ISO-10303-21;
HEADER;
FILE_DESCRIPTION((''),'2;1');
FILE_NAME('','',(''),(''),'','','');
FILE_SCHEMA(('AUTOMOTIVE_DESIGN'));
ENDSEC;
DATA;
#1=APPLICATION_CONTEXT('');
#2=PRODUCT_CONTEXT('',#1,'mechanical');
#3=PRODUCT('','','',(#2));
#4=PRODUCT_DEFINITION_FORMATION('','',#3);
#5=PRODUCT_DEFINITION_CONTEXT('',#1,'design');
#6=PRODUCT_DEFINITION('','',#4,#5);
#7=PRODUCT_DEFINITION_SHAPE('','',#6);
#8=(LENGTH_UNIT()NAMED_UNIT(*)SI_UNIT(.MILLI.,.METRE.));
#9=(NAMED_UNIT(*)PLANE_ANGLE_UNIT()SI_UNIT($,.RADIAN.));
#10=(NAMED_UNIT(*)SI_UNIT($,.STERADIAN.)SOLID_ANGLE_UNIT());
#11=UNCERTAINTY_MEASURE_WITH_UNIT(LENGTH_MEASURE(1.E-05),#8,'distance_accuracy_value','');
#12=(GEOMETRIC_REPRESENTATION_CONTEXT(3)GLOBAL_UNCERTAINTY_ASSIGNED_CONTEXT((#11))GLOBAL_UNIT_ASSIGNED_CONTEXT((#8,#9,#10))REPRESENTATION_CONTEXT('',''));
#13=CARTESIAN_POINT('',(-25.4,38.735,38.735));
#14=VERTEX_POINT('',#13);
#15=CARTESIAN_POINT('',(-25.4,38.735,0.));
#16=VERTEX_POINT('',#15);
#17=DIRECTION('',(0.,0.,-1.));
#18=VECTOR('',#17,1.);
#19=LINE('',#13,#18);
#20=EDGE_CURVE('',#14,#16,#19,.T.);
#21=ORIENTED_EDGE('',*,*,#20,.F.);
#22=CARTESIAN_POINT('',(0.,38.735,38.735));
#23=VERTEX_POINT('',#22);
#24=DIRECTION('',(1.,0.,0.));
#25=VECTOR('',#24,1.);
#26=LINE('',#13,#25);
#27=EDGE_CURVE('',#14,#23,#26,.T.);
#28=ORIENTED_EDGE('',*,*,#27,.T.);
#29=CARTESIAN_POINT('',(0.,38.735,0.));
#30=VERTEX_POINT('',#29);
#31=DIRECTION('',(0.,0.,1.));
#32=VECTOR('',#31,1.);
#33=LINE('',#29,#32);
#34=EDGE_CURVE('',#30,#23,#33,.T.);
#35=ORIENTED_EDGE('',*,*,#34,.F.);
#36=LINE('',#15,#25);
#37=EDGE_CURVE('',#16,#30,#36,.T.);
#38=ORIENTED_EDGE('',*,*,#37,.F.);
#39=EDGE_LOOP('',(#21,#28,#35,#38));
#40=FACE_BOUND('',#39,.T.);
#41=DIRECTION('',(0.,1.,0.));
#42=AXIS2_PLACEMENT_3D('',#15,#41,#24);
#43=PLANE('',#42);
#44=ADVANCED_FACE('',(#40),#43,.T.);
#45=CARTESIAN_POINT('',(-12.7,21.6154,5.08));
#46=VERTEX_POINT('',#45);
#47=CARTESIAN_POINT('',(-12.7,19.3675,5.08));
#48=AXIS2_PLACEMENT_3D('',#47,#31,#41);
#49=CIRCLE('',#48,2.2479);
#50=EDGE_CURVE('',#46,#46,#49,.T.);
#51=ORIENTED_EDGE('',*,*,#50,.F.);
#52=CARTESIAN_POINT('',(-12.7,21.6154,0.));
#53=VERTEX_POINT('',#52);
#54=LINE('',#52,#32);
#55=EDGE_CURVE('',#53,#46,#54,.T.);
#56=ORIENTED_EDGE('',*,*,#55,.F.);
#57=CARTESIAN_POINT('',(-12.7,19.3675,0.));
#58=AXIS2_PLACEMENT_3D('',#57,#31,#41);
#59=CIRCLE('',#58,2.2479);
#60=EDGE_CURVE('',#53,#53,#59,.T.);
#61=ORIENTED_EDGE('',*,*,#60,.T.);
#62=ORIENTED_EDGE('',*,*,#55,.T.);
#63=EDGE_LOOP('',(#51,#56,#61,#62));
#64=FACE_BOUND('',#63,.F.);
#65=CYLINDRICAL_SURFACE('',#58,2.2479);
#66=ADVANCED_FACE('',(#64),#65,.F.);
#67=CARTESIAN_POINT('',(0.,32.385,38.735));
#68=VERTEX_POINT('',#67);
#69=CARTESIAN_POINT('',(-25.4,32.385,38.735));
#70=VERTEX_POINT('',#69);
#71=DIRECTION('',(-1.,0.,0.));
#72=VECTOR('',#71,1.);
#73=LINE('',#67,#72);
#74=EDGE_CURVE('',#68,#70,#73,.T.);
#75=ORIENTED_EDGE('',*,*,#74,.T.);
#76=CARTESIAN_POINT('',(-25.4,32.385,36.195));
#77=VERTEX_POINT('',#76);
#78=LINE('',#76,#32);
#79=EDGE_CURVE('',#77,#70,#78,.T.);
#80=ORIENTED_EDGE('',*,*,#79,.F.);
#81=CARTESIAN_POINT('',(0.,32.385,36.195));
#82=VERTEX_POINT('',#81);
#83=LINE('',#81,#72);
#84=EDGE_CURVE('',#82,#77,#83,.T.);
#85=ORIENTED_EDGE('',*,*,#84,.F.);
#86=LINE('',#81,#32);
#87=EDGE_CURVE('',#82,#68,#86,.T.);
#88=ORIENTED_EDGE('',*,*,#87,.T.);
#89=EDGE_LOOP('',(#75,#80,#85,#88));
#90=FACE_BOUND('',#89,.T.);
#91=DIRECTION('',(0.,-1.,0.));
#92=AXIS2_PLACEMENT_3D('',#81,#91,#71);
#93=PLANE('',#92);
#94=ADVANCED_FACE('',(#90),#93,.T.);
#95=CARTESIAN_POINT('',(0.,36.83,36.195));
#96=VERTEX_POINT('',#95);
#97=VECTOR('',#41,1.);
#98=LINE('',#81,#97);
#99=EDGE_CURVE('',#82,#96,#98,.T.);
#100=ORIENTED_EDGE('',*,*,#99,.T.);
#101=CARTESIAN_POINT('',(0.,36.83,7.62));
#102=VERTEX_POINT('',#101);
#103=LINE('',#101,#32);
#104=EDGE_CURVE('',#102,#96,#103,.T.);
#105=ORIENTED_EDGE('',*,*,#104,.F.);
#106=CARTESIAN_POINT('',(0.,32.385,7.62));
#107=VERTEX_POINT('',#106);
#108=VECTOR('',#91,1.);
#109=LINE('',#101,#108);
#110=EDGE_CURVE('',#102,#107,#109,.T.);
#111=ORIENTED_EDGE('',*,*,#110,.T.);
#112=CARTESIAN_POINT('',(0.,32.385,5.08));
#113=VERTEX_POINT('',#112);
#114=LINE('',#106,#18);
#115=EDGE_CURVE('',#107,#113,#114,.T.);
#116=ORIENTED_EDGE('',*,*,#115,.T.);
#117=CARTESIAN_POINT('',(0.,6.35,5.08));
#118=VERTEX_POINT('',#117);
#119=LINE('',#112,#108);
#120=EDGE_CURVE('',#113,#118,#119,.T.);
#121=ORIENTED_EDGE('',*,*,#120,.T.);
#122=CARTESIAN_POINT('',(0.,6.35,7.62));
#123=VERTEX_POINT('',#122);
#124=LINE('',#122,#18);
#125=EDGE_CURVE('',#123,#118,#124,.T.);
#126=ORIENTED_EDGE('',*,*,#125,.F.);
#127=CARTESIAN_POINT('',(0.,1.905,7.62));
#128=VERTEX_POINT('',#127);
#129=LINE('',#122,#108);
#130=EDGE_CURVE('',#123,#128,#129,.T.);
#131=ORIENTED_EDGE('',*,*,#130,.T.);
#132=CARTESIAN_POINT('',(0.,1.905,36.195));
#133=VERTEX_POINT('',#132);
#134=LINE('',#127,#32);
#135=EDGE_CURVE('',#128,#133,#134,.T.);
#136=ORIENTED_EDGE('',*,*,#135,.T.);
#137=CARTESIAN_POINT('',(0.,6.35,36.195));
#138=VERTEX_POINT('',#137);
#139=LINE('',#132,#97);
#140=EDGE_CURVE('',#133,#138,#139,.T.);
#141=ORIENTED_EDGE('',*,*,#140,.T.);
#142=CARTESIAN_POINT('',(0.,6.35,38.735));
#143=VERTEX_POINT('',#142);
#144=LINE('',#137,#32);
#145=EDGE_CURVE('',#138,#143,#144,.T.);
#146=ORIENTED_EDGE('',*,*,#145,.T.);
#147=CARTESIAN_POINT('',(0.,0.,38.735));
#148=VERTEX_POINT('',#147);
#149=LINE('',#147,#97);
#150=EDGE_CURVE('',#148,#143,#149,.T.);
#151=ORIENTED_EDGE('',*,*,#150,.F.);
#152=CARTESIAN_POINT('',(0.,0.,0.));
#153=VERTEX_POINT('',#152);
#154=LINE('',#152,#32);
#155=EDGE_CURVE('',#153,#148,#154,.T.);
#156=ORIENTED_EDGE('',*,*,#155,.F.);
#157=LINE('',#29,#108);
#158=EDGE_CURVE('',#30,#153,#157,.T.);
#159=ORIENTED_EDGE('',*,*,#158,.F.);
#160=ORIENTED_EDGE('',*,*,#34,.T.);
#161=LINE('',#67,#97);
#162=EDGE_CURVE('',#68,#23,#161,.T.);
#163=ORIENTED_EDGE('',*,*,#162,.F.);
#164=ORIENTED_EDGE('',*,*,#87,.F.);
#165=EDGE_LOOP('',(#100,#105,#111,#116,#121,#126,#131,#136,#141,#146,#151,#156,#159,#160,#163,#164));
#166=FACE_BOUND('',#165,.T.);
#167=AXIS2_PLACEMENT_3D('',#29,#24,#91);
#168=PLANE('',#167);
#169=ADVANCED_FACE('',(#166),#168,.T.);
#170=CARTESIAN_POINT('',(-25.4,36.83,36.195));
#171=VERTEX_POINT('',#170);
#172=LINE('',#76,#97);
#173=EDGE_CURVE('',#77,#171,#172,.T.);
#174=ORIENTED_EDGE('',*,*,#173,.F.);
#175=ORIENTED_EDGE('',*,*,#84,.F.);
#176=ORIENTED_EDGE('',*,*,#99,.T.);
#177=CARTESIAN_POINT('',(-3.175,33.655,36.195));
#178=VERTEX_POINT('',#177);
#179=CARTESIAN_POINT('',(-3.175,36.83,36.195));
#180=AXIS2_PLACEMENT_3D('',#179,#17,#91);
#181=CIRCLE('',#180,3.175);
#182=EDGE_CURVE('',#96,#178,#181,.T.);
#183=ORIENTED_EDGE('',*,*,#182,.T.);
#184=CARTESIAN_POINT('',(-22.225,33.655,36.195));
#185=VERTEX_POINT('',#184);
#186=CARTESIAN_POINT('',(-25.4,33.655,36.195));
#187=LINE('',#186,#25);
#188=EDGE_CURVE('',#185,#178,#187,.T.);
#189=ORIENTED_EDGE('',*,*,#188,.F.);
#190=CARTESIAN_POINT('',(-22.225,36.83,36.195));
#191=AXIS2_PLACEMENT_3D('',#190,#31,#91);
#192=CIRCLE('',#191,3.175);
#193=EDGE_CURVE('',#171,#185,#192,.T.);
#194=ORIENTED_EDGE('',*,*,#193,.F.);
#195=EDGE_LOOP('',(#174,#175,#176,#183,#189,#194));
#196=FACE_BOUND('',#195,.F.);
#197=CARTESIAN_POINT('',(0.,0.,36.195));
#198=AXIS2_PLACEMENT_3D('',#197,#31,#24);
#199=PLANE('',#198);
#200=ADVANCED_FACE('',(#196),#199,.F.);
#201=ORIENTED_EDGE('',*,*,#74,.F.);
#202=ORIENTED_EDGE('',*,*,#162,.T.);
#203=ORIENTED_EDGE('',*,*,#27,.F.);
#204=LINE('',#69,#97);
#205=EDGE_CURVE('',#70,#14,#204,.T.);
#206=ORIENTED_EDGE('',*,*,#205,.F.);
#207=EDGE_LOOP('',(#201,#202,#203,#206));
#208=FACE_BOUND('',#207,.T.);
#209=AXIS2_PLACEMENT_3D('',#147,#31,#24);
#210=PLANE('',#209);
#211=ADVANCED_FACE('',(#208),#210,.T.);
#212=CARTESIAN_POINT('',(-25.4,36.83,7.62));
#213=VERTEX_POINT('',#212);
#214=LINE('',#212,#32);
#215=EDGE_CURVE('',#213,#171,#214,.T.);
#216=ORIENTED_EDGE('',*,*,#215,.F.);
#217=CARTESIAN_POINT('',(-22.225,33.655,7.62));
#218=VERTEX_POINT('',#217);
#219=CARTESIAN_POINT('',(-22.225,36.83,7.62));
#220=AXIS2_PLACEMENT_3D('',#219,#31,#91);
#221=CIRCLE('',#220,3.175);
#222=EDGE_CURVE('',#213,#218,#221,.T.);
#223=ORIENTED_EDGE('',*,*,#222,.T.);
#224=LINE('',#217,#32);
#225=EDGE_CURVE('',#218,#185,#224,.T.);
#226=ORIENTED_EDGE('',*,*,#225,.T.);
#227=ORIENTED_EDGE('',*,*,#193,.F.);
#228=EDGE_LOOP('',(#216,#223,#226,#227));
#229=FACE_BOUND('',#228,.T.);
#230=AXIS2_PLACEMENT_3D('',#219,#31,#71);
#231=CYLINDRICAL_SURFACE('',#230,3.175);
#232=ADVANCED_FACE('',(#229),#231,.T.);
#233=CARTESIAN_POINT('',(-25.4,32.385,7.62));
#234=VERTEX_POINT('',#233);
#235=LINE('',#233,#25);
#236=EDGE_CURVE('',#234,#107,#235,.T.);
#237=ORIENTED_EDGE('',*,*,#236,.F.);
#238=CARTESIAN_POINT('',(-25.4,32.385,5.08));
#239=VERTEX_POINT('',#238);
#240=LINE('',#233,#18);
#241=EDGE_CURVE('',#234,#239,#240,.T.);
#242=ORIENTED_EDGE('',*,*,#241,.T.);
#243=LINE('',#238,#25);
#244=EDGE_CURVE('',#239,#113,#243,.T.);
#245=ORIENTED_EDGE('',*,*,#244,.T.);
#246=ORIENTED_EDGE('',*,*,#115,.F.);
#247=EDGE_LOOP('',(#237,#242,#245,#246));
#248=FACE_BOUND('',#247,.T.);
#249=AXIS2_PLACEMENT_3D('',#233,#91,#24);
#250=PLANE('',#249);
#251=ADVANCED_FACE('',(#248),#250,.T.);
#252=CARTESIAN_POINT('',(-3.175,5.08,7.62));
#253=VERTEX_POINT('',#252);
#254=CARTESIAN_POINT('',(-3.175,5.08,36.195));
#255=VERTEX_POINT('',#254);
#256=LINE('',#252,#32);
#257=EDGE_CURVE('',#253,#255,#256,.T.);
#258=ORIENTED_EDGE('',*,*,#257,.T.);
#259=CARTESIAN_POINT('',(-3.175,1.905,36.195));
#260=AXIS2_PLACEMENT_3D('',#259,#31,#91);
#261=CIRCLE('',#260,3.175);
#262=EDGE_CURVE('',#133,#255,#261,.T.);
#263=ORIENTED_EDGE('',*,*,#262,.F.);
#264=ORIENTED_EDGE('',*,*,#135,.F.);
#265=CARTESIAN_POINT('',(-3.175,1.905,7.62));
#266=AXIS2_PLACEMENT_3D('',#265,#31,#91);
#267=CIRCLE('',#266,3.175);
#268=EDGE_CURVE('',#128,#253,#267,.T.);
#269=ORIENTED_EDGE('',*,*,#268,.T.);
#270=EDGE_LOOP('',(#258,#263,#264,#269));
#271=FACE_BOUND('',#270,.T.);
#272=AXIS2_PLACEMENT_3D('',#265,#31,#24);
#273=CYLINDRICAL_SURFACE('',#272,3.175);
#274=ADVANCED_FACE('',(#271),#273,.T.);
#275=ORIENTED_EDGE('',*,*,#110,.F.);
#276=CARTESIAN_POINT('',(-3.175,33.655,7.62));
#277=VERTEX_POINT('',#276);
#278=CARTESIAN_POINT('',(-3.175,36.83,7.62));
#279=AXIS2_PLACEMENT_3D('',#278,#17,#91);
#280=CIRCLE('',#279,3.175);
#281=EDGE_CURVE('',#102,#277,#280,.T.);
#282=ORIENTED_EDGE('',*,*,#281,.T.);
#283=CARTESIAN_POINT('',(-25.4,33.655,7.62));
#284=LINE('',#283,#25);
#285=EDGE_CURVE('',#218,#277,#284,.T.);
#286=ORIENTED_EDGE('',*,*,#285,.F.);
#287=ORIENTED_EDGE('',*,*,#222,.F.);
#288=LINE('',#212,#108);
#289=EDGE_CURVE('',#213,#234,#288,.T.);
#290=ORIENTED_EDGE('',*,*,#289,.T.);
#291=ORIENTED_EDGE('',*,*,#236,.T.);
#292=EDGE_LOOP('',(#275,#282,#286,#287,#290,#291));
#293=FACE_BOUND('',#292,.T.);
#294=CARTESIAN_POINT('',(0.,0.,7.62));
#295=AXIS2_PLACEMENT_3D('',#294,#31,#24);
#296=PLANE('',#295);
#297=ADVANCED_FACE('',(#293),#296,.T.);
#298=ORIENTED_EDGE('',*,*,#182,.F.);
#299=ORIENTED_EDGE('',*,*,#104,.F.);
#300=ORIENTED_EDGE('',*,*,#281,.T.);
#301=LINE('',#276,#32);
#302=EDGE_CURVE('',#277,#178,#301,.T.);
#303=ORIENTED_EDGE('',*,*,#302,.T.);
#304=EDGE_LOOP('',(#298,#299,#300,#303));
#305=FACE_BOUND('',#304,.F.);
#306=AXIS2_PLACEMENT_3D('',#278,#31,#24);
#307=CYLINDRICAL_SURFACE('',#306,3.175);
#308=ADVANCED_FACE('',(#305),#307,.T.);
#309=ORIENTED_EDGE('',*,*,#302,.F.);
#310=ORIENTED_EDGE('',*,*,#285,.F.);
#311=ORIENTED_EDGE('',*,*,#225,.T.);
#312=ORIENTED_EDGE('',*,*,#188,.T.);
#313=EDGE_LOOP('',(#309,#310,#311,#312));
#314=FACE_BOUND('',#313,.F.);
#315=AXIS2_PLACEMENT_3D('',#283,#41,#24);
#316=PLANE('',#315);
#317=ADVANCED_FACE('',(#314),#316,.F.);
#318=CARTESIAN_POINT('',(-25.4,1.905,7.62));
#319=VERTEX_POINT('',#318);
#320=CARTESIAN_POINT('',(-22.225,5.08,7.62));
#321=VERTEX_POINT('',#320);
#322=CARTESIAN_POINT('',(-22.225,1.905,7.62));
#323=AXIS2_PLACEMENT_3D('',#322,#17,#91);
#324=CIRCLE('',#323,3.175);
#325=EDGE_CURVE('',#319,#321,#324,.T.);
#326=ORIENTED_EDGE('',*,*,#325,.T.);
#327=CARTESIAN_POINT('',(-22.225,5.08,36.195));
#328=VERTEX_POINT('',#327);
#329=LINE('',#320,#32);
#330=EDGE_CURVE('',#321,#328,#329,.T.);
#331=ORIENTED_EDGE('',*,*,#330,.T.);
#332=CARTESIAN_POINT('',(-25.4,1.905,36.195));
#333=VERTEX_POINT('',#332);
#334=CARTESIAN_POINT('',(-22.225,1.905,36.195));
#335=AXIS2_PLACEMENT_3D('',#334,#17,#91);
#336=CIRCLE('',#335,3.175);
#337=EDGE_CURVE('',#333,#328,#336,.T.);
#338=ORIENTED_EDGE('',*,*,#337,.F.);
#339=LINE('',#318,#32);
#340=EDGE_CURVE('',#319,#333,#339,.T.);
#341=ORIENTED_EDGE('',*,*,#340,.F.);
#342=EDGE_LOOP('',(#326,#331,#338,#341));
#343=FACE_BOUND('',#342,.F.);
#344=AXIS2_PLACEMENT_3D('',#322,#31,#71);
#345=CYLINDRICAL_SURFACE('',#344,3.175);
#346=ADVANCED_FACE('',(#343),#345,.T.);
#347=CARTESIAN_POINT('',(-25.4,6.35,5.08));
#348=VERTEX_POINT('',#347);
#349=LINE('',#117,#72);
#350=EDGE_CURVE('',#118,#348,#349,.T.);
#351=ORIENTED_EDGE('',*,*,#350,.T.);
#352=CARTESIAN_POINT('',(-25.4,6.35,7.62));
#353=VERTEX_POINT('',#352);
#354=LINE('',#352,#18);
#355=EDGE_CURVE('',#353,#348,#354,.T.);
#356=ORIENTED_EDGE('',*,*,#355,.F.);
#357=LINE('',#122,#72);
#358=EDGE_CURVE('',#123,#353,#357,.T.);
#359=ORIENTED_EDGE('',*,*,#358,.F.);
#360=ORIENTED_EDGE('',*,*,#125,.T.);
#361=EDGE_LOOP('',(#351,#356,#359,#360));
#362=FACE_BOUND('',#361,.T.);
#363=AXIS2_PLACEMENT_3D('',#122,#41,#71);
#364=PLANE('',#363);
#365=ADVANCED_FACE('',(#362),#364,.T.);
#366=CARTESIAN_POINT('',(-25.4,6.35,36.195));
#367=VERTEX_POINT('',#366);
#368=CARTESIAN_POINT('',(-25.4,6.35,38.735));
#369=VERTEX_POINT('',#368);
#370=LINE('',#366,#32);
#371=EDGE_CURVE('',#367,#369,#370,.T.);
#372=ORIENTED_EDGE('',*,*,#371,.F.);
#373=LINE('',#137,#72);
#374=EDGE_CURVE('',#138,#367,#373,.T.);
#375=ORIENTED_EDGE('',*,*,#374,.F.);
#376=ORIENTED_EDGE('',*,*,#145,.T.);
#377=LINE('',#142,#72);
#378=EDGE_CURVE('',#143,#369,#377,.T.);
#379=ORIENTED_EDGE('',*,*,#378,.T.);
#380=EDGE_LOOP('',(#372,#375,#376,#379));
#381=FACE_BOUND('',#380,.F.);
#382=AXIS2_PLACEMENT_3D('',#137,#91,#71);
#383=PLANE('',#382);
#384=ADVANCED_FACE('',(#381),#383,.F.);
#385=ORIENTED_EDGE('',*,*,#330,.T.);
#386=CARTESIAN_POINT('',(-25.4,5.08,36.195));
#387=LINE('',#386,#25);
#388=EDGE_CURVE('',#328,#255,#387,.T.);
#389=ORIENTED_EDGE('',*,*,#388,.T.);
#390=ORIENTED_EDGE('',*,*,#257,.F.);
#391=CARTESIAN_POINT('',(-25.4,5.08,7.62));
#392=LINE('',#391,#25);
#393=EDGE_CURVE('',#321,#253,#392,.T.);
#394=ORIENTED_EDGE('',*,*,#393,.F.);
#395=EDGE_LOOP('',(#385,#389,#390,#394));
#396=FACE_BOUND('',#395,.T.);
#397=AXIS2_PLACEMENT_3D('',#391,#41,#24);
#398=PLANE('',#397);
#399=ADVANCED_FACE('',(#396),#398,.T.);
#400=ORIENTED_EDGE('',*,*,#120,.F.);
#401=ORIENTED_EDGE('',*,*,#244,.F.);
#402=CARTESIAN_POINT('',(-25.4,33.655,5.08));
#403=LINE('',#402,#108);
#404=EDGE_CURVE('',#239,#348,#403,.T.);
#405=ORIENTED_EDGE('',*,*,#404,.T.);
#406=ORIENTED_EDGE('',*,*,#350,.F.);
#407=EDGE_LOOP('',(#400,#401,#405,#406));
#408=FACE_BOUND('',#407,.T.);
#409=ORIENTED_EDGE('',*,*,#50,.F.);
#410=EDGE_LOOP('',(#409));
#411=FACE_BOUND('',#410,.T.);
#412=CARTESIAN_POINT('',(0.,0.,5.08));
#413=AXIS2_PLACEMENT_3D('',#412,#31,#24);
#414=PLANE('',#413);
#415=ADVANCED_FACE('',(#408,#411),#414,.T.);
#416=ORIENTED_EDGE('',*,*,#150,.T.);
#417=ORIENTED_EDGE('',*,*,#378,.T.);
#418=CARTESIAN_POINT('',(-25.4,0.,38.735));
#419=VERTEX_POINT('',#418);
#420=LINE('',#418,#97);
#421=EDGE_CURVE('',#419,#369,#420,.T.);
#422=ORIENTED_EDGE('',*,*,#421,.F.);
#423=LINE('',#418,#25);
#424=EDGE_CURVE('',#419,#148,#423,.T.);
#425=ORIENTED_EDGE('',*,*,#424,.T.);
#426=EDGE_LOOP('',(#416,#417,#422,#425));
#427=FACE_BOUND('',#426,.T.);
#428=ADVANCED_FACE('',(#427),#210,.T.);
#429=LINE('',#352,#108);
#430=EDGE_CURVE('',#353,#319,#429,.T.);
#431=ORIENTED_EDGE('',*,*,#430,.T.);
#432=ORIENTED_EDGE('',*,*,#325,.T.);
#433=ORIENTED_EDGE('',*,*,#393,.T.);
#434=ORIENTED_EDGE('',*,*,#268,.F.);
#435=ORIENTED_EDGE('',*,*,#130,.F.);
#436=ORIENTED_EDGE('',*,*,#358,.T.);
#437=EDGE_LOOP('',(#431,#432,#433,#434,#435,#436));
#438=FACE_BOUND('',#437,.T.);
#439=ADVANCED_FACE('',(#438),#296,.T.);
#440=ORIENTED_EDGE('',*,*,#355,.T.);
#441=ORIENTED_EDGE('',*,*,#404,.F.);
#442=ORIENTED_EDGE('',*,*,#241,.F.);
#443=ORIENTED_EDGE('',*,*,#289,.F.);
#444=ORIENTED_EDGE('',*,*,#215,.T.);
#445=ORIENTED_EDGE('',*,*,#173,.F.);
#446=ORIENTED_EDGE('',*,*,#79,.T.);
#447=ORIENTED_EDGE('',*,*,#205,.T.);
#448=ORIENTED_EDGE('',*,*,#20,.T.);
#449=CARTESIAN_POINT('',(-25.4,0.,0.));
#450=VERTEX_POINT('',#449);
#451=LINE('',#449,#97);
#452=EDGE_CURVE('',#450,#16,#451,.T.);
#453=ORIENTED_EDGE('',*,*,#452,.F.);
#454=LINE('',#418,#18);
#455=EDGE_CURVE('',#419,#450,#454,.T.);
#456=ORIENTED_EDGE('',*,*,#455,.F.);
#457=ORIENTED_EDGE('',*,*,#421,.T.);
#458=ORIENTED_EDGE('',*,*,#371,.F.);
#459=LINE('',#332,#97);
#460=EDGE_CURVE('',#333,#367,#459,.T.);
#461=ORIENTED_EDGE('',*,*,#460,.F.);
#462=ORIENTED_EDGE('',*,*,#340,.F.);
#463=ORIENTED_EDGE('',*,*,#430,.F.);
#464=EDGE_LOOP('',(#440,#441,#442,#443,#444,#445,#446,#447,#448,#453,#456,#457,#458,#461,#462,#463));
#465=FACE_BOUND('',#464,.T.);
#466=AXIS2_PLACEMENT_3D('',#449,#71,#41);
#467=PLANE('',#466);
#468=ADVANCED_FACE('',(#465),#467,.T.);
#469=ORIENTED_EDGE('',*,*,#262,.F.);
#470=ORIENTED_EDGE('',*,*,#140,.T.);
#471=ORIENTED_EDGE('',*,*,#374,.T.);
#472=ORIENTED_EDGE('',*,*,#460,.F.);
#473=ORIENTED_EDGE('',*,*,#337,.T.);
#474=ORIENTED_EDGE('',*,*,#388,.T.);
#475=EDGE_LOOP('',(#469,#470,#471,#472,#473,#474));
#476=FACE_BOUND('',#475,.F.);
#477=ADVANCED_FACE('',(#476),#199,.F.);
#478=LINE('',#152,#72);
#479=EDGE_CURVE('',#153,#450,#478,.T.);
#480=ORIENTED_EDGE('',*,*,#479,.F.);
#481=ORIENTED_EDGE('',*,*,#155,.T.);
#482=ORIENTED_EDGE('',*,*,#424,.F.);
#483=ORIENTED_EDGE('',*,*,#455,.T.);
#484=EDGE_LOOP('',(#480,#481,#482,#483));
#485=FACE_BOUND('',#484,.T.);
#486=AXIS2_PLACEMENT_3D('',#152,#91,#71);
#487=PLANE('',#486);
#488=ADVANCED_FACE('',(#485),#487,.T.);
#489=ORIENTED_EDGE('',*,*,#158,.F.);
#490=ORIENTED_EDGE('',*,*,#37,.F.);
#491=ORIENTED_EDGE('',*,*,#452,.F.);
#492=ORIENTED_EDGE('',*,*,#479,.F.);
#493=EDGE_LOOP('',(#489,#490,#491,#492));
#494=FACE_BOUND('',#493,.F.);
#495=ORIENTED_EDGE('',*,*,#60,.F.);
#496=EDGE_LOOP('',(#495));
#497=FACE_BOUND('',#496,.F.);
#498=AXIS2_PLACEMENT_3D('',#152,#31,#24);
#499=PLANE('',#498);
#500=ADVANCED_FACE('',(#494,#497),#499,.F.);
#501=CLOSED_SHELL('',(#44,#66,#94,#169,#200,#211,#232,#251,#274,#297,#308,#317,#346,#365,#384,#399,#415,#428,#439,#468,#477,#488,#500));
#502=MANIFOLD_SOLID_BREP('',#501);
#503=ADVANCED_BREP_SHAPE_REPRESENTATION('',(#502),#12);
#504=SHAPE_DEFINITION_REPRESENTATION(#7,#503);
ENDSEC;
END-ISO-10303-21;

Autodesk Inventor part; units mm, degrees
ref_plane "YZ Plane" through (0, 0, 0) normal (1, 0, 0) x (0, 1, 0)
ref_plane "XZ Plane" through (0, 0, 0) normal (0, 1, 0) x (-1, 0, 0)
ref_plane "XY Plane" through (0, 0, 0) normal (0, 0, 1) x (1, 0, 0)
sketch "Sketch1" plane through (0, 0, 0) normal (0, 0, 1) x (1, 0, 0)
  line L0 (0, 0) -> (-25.4, 0)
  line L1 (-25.4, 0) -> (-25.4, 38.735)
  line L2 (-25.4, 38.735) -> (0, 38.735)
  line L3 (0, 38.735) -> (0, 0)
  dimension "d0" = 25.4
  dimension "d1" = 38.735
extrude "Extrusion1" add sketch "Sketch1" along normal blind 7.62
sketch "Sketch5" plane through (0, 0, 7.62) normal (0, 0, 1) x (1, 0, 0)
  line L0 (-25.4, 0) -> (0, 0) projected
  line L1 (-25.4, 38.735) -> (-25.4, 0) projected
  line L2 (0, 0) -> (-25.4, 0)
  line L3 (-25.4, 0) -> (-25.4, 5.08)
  line L4 (-25.4, 5.08) -> (0, 5.08)
  line L5 (0, 5.08) -> (0, 0)
  line L6 (0, 38.735) -> (-25.4, 38.735)
  line L7 (-25.4, 38.735) -> (-25.4, 33.655)
  line L8 (-25.4, 33.655) -> (0, 33.655)
  line L9 (0, 33.655) -> (0, 38.735)
  line L10 (0, 38.735) -> (-25.4, 38.735) projected
  dimension "d29" = 5.08
  dimension "d30" = 5.08
  dimension "d31" = 0
extrude "Extrusion4" add sketch "Sketch5" along normal blind 28.575
sketch "Sketch6" plane through (0, 0, 36.195) normal (0, 0, 1) x (1, 0, 0)
  line L0 (-25.4, 0) -> (-25.4, 38.735) projected
  line L1 (-25.4, 38.735) -> (0, 38.735)
  line L2 (0, 38.735) -> (0, 32.385)
  line L3 (0, 32.385) -> (-25.4, 32.385)
  line L4 (-25.4, 32.385) -> (-25.4, 38.735)
  line L5 (-25.4, 0) -> (0, 0)
  line L6 (0, 0) -> (0, 6.35)
  line L7 (0, 6.35) -> (-25.4, 6.35)
  line L8 (-25.4, 6.35) -> (-25.4, 0)
  line L9 (-25.4, 33.655) -> (0, 33.655) projected
  dimension "d34" = 5.08
  dimension "d35" = 6.35
  dimension "d36" = 6.35
  dimension "d37" = 25.4
  dimension "d38" = 25.4
extrude "Extrusion5" add sketch "Sketch6" along normal blind 2.54
sketch "Sketch7" plane through (0, 0, 7.62) normal (0, 0, 1) x (1, 0, 0)
  line L0 (-25.4, 33.655) -> (-25.4, 5.08) projected
  line L1 (-25.4, 32.385) -> (0, 32.385)
  line L2 (0, 32.385) -> (0, 6.35)
  line L3 (0, 6.35) -> (-25.4, 6.35)
  line L4 (-25.4, 6.35) -> (-25.4, 32.385)
  line L5 (-25.4, 5.08) -> (0, 5.08) projected
  point P0 (0, 0)
  dimension "d41" = 26.035
  dimension "d42" = 1.27
  dimension "d43" = 25.4
extrude "Extrusion6" cut sketch "Sketch7" against normal blind 2.54
fillet "Fillet2" radius 3.175 4 edges at (0, 33.655, 21.9075) (-25.4, 33.655, 21.9075) (-25.4, 5.08, 21.9075) (0, 5.08, 21.9075)
sketch "Sketch8" plane through (0, 0, 0) normal (0, 0, -1) x (-1, 0, 0)
  line L0 (25.4, 0) -> (25.4, 38.735) projected
  line L1 (0, 38.735) -> (0, 0) projected
  line L2 (25.4, 38.735) -> (0, 38.735) projected
  line L3 (0, 0) -> (25.4, 0) projected
  point P0 (12.7, 19.3675)
  dimension "d47" = 12.7
  dimension "d48" = 25.4
  dimension "d49" = 38.735
  dimension "d50" = 19.3675
hole "Hole2" at (-12.7, 19.3675, 0) direction (0, 0, 1) diameter 4.4958 end through all clearance for "Flat Head Machine Screw (82)" size "#8" standard "Ansi Unified Screw Threads"
equation "\"d30\" = d29"
equation "\"d36\" = d35"
equation "\"d47\" = 0.5 * d48"
equation "\"d50\" = 0.5 * d49"
properties part number "chain tensioner"
